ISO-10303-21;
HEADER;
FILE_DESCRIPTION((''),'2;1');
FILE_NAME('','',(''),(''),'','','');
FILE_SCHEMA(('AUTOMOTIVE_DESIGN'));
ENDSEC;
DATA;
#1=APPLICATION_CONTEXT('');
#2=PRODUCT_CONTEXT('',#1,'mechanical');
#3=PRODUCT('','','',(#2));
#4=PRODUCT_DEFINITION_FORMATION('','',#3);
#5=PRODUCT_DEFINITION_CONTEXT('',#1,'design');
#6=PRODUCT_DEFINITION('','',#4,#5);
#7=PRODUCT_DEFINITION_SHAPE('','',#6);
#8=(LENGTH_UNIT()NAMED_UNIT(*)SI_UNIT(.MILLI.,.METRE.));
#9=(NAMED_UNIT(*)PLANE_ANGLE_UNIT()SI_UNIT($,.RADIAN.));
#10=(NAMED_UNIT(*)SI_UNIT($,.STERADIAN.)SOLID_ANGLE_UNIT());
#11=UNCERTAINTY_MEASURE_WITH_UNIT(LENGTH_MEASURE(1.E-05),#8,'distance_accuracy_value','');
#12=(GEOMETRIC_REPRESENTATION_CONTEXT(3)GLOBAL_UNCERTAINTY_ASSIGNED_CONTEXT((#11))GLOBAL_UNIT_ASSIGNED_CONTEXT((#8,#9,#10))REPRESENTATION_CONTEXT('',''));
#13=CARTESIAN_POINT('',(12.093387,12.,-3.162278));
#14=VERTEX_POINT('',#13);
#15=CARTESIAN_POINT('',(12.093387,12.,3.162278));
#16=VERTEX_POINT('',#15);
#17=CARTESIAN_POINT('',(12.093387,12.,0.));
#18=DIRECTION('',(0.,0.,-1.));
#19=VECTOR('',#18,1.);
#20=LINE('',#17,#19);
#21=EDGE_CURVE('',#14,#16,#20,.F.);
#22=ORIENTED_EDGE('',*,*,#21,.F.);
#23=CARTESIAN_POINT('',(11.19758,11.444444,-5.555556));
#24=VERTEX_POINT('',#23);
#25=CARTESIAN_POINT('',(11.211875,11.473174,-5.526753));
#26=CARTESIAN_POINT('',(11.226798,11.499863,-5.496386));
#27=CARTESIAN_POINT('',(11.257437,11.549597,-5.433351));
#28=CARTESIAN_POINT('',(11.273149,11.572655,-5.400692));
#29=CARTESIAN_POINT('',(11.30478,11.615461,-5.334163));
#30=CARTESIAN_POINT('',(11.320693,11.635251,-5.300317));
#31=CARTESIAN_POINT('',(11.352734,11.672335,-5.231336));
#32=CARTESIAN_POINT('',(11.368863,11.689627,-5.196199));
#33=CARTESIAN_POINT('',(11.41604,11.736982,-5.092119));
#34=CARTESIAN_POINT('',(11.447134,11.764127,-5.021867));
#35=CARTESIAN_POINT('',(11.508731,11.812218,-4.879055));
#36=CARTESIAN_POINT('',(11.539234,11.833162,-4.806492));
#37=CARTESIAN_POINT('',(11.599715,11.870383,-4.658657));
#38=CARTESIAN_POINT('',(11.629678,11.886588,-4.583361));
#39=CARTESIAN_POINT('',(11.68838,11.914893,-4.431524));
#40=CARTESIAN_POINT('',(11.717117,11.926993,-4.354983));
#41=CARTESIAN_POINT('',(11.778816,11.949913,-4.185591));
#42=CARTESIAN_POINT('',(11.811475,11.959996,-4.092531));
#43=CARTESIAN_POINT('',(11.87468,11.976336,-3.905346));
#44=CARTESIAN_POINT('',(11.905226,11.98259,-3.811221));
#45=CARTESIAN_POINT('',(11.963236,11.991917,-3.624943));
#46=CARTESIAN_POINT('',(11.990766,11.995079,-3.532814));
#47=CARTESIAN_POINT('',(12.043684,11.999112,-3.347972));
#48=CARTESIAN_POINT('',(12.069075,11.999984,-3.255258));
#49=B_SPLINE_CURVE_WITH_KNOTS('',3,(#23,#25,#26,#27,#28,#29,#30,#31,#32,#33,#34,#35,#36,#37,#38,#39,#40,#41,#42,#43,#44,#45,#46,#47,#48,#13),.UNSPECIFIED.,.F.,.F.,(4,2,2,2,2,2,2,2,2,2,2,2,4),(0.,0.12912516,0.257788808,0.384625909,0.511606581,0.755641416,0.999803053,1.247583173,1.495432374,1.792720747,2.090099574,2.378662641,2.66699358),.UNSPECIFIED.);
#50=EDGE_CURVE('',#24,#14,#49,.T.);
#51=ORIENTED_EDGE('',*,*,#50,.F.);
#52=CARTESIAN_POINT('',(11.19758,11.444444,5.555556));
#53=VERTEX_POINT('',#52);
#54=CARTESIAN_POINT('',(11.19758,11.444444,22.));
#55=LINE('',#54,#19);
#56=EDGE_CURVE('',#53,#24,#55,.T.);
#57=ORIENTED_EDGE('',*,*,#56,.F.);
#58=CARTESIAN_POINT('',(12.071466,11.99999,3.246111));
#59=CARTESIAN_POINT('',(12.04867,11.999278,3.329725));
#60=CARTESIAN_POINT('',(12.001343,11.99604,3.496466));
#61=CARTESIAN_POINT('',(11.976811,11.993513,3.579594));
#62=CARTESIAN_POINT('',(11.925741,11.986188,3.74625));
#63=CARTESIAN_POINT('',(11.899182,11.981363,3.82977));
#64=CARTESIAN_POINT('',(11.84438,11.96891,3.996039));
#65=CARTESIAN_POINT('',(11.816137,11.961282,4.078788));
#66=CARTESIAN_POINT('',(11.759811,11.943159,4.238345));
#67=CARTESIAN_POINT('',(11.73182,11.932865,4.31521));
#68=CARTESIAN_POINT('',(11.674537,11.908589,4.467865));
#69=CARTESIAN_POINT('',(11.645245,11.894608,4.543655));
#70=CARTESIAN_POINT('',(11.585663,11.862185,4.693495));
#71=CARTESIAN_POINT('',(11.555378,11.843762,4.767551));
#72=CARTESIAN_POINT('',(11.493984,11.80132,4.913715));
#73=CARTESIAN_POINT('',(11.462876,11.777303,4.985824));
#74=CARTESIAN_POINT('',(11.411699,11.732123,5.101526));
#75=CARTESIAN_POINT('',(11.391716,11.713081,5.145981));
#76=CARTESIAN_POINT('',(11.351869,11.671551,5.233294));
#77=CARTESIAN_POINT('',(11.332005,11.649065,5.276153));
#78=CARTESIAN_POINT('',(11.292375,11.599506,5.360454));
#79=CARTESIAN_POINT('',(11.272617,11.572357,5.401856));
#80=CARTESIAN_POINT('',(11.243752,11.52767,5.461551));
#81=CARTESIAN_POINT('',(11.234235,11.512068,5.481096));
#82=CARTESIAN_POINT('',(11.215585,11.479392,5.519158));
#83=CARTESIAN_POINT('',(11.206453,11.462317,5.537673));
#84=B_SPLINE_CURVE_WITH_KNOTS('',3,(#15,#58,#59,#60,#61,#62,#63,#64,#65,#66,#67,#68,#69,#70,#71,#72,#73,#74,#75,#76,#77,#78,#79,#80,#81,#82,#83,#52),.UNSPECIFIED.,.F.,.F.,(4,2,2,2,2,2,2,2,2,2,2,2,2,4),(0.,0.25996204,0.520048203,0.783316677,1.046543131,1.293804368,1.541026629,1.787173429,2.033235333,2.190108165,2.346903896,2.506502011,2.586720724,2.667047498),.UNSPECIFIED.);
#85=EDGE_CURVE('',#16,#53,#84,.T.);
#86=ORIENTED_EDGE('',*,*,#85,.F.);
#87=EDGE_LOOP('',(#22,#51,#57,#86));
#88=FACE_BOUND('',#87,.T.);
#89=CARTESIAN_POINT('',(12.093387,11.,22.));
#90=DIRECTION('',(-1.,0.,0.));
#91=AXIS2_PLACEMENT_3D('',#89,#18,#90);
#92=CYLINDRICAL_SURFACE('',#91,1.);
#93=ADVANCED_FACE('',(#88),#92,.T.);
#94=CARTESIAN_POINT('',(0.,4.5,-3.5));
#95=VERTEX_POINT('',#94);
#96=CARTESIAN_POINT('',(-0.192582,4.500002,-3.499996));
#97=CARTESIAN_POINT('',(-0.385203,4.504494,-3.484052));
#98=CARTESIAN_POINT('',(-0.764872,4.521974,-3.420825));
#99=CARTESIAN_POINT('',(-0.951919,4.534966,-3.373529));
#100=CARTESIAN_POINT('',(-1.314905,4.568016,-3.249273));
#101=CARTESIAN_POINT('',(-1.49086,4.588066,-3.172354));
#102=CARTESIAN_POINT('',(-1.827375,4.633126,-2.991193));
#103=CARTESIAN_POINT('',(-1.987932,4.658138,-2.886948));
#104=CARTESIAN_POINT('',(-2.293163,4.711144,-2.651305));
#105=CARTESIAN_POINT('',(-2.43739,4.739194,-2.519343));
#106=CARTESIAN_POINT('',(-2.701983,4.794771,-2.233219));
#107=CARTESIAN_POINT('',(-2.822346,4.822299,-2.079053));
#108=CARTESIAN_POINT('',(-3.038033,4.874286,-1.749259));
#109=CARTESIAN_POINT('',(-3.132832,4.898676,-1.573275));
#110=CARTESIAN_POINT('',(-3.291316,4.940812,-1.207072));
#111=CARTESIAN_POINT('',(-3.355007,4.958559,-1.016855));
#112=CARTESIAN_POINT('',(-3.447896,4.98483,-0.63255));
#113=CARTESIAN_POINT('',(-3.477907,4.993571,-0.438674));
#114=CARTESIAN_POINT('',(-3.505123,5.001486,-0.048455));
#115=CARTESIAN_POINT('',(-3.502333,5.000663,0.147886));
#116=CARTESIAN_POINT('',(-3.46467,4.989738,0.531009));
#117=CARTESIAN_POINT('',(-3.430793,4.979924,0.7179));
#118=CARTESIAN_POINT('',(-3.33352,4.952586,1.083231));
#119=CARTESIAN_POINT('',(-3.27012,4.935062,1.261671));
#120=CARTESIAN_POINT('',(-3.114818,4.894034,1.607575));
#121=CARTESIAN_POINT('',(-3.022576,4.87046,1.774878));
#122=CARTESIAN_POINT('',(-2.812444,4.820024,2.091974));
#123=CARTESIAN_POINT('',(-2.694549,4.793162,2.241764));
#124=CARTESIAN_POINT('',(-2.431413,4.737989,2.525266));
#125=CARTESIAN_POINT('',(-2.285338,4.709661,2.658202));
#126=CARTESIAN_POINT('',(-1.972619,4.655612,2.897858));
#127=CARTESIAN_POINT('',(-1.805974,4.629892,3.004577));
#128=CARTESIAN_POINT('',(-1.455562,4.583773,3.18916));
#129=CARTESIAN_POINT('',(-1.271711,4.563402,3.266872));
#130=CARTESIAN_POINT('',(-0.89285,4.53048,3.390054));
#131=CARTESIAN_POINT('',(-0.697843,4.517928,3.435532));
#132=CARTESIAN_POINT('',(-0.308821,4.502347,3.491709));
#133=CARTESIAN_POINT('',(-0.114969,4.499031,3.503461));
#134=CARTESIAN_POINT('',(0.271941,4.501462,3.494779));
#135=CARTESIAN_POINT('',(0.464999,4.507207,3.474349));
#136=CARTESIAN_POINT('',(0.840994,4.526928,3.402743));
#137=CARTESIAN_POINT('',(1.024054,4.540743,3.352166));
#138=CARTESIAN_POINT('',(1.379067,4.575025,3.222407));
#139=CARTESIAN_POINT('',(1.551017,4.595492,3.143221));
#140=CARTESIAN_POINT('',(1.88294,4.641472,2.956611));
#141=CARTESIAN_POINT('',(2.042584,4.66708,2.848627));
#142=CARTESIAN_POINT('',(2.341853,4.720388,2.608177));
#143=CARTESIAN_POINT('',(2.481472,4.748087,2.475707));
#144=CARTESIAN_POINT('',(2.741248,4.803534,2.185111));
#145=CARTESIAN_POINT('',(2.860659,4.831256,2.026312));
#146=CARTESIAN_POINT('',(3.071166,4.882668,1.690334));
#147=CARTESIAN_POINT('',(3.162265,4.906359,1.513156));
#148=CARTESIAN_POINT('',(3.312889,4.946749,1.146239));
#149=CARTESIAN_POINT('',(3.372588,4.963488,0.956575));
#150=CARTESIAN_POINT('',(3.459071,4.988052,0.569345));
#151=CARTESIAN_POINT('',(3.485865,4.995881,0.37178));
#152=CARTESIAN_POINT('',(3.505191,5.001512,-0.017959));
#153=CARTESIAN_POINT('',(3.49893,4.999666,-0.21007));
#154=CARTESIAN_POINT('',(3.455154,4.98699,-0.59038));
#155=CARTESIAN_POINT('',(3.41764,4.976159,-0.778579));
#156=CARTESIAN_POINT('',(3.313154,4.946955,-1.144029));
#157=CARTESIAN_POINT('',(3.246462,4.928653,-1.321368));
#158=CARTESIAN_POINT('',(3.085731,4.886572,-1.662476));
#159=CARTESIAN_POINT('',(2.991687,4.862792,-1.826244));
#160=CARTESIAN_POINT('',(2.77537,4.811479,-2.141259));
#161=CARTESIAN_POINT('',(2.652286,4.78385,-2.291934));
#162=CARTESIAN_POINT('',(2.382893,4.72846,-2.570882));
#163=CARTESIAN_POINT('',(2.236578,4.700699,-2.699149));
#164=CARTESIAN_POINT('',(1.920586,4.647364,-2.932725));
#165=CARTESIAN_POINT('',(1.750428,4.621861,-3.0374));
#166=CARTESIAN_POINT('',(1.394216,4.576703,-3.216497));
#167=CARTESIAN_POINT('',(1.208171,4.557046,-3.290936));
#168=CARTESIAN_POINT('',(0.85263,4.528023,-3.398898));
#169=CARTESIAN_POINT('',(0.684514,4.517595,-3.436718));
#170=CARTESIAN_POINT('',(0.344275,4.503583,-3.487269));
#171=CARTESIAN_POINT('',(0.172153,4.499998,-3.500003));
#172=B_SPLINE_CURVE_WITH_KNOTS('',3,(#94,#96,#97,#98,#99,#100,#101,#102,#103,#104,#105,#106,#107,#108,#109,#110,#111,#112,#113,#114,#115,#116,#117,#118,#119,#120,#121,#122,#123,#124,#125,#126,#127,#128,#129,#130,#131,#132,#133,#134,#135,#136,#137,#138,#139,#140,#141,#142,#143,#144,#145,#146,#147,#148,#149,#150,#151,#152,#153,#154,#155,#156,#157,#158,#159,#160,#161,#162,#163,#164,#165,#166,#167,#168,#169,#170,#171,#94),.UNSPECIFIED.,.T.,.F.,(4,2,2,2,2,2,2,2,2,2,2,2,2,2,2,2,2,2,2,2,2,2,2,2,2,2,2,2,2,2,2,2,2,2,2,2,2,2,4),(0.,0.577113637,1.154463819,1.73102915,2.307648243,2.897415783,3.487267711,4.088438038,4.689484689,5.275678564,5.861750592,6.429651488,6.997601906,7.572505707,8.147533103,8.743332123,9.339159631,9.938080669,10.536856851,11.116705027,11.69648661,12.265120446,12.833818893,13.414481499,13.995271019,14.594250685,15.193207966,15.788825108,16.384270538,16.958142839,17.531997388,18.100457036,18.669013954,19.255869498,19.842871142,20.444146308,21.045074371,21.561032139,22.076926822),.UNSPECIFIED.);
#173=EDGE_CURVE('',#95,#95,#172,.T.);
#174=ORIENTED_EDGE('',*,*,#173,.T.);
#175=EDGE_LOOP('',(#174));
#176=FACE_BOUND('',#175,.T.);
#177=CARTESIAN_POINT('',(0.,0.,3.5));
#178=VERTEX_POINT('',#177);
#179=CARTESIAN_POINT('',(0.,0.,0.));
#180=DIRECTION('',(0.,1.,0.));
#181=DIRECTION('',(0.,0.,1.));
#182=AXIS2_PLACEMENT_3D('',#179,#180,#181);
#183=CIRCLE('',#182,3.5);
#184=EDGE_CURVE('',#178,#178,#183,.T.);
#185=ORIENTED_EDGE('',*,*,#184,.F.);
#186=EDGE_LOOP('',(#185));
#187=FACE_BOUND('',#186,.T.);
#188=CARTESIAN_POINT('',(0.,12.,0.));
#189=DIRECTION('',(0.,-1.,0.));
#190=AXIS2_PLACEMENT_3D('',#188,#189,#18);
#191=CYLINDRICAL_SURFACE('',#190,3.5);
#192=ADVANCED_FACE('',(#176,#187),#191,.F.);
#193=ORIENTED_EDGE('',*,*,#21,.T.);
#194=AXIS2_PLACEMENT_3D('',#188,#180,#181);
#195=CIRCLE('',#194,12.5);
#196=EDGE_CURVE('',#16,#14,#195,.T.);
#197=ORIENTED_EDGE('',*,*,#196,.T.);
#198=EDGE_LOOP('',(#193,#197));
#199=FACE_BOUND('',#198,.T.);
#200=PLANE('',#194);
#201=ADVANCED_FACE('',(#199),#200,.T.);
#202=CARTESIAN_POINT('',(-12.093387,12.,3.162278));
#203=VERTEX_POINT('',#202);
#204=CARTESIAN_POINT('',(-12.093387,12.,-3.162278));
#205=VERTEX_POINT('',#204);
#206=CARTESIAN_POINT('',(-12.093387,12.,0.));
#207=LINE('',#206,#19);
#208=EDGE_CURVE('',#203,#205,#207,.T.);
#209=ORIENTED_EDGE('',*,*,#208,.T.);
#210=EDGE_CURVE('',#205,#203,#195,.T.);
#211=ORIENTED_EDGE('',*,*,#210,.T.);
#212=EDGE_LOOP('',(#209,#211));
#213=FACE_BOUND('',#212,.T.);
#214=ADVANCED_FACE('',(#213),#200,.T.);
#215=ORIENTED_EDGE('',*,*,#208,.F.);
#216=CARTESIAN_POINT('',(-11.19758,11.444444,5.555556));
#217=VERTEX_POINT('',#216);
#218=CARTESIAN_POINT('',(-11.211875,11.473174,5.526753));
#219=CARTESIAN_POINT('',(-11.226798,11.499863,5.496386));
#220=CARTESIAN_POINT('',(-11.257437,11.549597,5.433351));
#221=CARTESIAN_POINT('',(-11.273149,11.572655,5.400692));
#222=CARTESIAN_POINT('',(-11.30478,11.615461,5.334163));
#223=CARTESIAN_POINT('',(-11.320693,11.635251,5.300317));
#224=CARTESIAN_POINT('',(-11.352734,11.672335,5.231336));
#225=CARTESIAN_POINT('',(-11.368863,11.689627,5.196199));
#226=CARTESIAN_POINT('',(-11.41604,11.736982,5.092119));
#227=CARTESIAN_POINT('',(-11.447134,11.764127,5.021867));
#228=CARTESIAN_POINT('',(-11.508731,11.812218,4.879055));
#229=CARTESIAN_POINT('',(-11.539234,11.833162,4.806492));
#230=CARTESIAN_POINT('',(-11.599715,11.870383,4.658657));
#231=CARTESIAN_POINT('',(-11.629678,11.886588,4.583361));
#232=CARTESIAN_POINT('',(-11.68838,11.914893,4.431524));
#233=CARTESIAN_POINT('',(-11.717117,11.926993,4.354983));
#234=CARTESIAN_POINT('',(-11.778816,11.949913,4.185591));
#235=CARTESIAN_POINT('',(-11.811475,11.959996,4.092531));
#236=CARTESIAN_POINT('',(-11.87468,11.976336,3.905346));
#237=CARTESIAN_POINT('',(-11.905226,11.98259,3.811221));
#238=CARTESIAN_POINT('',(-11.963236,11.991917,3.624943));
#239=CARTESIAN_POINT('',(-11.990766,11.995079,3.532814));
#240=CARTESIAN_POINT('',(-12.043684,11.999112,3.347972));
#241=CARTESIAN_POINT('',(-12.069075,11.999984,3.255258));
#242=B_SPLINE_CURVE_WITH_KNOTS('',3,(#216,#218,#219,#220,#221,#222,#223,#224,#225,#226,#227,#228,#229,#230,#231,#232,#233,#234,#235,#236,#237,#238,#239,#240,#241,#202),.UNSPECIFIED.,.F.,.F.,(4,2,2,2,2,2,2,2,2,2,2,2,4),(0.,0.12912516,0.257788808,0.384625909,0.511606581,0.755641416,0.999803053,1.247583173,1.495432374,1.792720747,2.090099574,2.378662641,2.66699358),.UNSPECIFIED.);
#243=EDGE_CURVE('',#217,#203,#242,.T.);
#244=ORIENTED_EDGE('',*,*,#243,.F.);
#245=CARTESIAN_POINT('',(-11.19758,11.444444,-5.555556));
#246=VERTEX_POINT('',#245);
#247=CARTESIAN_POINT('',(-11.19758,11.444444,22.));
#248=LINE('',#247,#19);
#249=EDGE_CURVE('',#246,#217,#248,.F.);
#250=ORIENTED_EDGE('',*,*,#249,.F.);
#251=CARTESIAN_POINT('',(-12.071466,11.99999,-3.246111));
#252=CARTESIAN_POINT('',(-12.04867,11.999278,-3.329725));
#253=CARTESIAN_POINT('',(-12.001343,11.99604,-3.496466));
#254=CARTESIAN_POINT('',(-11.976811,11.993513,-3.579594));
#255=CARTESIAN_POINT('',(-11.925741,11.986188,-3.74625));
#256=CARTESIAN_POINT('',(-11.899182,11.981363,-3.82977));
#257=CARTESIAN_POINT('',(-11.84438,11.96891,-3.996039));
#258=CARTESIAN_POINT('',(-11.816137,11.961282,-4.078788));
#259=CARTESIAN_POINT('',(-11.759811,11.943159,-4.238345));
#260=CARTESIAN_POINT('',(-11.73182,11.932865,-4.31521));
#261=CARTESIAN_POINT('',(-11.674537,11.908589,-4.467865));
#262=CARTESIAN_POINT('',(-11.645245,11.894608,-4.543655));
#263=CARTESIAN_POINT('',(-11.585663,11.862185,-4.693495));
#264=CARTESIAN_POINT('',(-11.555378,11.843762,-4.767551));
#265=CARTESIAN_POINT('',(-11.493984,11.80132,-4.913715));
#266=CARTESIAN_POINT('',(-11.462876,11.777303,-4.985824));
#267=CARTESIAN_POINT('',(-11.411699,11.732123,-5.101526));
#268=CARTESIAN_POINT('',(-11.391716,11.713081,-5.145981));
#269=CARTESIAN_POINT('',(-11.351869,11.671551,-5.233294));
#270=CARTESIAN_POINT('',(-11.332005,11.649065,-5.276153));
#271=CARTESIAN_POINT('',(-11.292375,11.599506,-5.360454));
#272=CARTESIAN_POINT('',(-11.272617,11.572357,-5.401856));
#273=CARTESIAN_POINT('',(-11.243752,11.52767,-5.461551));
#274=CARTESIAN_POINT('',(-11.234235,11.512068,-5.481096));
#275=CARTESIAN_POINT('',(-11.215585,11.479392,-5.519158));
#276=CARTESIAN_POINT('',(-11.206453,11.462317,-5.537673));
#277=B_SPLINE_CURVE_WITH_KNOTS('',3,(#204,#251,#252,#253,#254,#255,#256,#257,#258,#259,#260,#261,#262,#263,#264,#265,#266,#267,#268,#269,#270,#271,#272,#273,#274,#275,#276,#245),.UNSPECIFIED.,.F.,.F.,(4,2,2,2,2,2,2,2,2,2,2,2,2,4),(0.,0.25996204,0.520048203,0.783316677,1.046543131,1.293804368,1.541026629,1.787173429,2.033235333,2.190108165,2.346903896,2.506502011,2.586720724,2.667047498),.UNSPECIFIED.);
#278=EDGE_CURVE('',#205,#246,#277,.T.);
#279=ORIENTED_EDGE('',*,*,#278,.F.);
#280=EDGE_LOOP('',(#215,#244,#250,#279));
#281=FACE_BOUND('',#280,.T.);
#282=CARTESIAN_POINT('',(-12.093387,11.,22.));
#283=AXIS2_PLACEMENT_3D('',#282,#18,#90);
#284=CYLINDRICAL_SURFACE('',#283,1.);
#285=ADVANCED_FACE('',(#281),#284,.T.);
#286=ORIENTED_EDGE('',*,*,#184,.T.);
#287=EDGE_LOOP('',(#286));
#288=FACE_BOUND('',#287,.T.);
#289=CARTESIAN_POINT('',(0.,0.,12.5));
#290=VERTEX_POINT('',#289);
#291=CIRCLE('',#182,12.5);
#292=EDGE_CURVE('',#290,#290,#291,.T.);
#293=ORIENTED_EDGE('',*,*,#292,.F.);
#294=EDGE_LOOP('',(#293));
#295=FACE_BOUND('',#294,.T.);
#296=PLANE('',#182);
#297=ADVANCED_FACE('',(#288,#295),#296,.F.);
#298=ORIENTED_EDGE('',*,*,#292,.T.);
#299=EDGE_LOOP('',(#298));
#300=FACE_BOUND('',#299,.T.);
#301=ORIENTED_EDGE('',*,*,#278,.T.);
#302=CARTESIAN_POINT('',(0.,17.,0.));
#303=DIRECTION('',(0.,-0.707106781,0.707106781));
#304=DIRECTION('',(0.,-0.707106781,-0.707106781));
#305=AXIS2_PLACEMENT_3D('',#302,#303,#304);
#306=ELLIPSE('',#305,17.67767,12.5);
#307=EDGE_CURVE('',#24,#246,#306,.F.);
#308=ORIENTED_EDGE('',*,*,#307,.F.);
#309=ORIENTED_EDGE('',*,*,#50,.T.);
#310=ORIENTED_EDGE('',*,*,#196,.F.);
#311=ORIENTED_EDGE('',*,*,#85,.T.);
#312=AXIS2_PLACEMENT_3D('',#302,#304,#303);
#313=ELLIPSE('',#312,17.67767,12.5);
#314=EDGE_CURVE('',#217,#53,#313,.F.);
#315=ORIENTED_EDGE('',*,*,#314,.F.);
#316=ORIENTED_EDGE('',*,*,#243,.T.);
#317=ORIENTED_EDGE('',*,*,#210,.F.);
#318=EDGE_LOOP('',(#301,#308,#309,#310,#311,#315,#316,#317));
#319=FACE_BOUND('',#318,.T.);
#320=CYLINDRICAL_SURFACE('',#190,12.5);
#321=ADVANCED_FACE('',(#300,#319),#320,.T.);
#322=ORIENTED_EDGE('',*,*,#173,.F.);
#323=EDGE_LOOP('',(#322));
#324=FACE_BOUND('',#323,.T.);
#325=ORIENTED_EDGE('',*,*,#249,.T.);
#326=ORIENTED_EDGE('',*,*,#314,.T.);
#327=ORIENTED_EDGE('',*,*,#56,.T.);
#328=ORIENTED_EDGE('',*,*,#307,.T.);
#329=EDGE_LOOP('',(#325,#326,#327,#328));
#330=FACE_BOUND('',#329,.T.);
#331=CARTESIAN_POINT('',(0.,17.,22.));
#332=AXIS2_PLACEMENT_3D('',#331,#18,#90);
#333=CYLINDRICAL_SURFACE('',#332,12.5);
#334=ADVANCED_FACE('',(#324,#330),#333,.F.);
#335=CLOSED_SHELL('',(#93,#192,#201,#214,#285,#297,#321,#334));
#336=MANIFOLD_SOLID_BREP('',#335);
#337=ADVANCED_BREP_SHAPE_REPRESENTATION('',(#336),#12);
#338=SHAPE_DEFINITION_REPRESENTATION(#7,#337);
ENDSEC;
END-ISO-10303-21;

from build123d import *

# Parameters (mm, degrees)
SKETCH1_R               = 12.5
SKETCH1_R_2             = 3.5
BOSS_EXTRUDE1_DEPTH     = 12
CUT_EXTRUDE1_DEPTH      = 22
CUT_EXTRUDE1_DEPTH_BACK = 22
SKETCH2_R               = 12.5
FILLET2_R               = 1


with BuildPart() as part:
    # Sketch1 → Boss-Extrude1 (new body)
    with BuildSketch(Plane(origin=(0, 0, 0), x_dir=(1, 0, 0), z_dir=(0, 1, 0))):
        Circle(SKETCH1_R)
        Circle(SKETCH1_R_2, mode=Mode.SUBTRACT)
    extrude(amount=BOSS_EXTRUDE1_DEPTH)

    # Sketch2 → Cut-Extrude1 (cut, two sides: drawn at the far end of the back side and taken through both)
    with BuildSketch(Plane.XY.offset(-CUT_EXTRUDE1_DEPTH_BACK)):
        with Locations((0, 17)):
            Circle(SKETCH2_R)
    extrude(amount=CUT_EXTRUDE1_DEPTH + CUT_EXTRUDE1_DEPTH_BACK, mode=Mode.SUBTRACT)

    # Fillet2
    fillet2_edges = [part.edges().sort_by_distance(p)[0] for p in [
        (11.456439237, 12, 0),
        (-11.456439237, 12, 0),
    ]]
    fillet(fillet2_edges, radius=FILLET2_R)


solid = part.part
